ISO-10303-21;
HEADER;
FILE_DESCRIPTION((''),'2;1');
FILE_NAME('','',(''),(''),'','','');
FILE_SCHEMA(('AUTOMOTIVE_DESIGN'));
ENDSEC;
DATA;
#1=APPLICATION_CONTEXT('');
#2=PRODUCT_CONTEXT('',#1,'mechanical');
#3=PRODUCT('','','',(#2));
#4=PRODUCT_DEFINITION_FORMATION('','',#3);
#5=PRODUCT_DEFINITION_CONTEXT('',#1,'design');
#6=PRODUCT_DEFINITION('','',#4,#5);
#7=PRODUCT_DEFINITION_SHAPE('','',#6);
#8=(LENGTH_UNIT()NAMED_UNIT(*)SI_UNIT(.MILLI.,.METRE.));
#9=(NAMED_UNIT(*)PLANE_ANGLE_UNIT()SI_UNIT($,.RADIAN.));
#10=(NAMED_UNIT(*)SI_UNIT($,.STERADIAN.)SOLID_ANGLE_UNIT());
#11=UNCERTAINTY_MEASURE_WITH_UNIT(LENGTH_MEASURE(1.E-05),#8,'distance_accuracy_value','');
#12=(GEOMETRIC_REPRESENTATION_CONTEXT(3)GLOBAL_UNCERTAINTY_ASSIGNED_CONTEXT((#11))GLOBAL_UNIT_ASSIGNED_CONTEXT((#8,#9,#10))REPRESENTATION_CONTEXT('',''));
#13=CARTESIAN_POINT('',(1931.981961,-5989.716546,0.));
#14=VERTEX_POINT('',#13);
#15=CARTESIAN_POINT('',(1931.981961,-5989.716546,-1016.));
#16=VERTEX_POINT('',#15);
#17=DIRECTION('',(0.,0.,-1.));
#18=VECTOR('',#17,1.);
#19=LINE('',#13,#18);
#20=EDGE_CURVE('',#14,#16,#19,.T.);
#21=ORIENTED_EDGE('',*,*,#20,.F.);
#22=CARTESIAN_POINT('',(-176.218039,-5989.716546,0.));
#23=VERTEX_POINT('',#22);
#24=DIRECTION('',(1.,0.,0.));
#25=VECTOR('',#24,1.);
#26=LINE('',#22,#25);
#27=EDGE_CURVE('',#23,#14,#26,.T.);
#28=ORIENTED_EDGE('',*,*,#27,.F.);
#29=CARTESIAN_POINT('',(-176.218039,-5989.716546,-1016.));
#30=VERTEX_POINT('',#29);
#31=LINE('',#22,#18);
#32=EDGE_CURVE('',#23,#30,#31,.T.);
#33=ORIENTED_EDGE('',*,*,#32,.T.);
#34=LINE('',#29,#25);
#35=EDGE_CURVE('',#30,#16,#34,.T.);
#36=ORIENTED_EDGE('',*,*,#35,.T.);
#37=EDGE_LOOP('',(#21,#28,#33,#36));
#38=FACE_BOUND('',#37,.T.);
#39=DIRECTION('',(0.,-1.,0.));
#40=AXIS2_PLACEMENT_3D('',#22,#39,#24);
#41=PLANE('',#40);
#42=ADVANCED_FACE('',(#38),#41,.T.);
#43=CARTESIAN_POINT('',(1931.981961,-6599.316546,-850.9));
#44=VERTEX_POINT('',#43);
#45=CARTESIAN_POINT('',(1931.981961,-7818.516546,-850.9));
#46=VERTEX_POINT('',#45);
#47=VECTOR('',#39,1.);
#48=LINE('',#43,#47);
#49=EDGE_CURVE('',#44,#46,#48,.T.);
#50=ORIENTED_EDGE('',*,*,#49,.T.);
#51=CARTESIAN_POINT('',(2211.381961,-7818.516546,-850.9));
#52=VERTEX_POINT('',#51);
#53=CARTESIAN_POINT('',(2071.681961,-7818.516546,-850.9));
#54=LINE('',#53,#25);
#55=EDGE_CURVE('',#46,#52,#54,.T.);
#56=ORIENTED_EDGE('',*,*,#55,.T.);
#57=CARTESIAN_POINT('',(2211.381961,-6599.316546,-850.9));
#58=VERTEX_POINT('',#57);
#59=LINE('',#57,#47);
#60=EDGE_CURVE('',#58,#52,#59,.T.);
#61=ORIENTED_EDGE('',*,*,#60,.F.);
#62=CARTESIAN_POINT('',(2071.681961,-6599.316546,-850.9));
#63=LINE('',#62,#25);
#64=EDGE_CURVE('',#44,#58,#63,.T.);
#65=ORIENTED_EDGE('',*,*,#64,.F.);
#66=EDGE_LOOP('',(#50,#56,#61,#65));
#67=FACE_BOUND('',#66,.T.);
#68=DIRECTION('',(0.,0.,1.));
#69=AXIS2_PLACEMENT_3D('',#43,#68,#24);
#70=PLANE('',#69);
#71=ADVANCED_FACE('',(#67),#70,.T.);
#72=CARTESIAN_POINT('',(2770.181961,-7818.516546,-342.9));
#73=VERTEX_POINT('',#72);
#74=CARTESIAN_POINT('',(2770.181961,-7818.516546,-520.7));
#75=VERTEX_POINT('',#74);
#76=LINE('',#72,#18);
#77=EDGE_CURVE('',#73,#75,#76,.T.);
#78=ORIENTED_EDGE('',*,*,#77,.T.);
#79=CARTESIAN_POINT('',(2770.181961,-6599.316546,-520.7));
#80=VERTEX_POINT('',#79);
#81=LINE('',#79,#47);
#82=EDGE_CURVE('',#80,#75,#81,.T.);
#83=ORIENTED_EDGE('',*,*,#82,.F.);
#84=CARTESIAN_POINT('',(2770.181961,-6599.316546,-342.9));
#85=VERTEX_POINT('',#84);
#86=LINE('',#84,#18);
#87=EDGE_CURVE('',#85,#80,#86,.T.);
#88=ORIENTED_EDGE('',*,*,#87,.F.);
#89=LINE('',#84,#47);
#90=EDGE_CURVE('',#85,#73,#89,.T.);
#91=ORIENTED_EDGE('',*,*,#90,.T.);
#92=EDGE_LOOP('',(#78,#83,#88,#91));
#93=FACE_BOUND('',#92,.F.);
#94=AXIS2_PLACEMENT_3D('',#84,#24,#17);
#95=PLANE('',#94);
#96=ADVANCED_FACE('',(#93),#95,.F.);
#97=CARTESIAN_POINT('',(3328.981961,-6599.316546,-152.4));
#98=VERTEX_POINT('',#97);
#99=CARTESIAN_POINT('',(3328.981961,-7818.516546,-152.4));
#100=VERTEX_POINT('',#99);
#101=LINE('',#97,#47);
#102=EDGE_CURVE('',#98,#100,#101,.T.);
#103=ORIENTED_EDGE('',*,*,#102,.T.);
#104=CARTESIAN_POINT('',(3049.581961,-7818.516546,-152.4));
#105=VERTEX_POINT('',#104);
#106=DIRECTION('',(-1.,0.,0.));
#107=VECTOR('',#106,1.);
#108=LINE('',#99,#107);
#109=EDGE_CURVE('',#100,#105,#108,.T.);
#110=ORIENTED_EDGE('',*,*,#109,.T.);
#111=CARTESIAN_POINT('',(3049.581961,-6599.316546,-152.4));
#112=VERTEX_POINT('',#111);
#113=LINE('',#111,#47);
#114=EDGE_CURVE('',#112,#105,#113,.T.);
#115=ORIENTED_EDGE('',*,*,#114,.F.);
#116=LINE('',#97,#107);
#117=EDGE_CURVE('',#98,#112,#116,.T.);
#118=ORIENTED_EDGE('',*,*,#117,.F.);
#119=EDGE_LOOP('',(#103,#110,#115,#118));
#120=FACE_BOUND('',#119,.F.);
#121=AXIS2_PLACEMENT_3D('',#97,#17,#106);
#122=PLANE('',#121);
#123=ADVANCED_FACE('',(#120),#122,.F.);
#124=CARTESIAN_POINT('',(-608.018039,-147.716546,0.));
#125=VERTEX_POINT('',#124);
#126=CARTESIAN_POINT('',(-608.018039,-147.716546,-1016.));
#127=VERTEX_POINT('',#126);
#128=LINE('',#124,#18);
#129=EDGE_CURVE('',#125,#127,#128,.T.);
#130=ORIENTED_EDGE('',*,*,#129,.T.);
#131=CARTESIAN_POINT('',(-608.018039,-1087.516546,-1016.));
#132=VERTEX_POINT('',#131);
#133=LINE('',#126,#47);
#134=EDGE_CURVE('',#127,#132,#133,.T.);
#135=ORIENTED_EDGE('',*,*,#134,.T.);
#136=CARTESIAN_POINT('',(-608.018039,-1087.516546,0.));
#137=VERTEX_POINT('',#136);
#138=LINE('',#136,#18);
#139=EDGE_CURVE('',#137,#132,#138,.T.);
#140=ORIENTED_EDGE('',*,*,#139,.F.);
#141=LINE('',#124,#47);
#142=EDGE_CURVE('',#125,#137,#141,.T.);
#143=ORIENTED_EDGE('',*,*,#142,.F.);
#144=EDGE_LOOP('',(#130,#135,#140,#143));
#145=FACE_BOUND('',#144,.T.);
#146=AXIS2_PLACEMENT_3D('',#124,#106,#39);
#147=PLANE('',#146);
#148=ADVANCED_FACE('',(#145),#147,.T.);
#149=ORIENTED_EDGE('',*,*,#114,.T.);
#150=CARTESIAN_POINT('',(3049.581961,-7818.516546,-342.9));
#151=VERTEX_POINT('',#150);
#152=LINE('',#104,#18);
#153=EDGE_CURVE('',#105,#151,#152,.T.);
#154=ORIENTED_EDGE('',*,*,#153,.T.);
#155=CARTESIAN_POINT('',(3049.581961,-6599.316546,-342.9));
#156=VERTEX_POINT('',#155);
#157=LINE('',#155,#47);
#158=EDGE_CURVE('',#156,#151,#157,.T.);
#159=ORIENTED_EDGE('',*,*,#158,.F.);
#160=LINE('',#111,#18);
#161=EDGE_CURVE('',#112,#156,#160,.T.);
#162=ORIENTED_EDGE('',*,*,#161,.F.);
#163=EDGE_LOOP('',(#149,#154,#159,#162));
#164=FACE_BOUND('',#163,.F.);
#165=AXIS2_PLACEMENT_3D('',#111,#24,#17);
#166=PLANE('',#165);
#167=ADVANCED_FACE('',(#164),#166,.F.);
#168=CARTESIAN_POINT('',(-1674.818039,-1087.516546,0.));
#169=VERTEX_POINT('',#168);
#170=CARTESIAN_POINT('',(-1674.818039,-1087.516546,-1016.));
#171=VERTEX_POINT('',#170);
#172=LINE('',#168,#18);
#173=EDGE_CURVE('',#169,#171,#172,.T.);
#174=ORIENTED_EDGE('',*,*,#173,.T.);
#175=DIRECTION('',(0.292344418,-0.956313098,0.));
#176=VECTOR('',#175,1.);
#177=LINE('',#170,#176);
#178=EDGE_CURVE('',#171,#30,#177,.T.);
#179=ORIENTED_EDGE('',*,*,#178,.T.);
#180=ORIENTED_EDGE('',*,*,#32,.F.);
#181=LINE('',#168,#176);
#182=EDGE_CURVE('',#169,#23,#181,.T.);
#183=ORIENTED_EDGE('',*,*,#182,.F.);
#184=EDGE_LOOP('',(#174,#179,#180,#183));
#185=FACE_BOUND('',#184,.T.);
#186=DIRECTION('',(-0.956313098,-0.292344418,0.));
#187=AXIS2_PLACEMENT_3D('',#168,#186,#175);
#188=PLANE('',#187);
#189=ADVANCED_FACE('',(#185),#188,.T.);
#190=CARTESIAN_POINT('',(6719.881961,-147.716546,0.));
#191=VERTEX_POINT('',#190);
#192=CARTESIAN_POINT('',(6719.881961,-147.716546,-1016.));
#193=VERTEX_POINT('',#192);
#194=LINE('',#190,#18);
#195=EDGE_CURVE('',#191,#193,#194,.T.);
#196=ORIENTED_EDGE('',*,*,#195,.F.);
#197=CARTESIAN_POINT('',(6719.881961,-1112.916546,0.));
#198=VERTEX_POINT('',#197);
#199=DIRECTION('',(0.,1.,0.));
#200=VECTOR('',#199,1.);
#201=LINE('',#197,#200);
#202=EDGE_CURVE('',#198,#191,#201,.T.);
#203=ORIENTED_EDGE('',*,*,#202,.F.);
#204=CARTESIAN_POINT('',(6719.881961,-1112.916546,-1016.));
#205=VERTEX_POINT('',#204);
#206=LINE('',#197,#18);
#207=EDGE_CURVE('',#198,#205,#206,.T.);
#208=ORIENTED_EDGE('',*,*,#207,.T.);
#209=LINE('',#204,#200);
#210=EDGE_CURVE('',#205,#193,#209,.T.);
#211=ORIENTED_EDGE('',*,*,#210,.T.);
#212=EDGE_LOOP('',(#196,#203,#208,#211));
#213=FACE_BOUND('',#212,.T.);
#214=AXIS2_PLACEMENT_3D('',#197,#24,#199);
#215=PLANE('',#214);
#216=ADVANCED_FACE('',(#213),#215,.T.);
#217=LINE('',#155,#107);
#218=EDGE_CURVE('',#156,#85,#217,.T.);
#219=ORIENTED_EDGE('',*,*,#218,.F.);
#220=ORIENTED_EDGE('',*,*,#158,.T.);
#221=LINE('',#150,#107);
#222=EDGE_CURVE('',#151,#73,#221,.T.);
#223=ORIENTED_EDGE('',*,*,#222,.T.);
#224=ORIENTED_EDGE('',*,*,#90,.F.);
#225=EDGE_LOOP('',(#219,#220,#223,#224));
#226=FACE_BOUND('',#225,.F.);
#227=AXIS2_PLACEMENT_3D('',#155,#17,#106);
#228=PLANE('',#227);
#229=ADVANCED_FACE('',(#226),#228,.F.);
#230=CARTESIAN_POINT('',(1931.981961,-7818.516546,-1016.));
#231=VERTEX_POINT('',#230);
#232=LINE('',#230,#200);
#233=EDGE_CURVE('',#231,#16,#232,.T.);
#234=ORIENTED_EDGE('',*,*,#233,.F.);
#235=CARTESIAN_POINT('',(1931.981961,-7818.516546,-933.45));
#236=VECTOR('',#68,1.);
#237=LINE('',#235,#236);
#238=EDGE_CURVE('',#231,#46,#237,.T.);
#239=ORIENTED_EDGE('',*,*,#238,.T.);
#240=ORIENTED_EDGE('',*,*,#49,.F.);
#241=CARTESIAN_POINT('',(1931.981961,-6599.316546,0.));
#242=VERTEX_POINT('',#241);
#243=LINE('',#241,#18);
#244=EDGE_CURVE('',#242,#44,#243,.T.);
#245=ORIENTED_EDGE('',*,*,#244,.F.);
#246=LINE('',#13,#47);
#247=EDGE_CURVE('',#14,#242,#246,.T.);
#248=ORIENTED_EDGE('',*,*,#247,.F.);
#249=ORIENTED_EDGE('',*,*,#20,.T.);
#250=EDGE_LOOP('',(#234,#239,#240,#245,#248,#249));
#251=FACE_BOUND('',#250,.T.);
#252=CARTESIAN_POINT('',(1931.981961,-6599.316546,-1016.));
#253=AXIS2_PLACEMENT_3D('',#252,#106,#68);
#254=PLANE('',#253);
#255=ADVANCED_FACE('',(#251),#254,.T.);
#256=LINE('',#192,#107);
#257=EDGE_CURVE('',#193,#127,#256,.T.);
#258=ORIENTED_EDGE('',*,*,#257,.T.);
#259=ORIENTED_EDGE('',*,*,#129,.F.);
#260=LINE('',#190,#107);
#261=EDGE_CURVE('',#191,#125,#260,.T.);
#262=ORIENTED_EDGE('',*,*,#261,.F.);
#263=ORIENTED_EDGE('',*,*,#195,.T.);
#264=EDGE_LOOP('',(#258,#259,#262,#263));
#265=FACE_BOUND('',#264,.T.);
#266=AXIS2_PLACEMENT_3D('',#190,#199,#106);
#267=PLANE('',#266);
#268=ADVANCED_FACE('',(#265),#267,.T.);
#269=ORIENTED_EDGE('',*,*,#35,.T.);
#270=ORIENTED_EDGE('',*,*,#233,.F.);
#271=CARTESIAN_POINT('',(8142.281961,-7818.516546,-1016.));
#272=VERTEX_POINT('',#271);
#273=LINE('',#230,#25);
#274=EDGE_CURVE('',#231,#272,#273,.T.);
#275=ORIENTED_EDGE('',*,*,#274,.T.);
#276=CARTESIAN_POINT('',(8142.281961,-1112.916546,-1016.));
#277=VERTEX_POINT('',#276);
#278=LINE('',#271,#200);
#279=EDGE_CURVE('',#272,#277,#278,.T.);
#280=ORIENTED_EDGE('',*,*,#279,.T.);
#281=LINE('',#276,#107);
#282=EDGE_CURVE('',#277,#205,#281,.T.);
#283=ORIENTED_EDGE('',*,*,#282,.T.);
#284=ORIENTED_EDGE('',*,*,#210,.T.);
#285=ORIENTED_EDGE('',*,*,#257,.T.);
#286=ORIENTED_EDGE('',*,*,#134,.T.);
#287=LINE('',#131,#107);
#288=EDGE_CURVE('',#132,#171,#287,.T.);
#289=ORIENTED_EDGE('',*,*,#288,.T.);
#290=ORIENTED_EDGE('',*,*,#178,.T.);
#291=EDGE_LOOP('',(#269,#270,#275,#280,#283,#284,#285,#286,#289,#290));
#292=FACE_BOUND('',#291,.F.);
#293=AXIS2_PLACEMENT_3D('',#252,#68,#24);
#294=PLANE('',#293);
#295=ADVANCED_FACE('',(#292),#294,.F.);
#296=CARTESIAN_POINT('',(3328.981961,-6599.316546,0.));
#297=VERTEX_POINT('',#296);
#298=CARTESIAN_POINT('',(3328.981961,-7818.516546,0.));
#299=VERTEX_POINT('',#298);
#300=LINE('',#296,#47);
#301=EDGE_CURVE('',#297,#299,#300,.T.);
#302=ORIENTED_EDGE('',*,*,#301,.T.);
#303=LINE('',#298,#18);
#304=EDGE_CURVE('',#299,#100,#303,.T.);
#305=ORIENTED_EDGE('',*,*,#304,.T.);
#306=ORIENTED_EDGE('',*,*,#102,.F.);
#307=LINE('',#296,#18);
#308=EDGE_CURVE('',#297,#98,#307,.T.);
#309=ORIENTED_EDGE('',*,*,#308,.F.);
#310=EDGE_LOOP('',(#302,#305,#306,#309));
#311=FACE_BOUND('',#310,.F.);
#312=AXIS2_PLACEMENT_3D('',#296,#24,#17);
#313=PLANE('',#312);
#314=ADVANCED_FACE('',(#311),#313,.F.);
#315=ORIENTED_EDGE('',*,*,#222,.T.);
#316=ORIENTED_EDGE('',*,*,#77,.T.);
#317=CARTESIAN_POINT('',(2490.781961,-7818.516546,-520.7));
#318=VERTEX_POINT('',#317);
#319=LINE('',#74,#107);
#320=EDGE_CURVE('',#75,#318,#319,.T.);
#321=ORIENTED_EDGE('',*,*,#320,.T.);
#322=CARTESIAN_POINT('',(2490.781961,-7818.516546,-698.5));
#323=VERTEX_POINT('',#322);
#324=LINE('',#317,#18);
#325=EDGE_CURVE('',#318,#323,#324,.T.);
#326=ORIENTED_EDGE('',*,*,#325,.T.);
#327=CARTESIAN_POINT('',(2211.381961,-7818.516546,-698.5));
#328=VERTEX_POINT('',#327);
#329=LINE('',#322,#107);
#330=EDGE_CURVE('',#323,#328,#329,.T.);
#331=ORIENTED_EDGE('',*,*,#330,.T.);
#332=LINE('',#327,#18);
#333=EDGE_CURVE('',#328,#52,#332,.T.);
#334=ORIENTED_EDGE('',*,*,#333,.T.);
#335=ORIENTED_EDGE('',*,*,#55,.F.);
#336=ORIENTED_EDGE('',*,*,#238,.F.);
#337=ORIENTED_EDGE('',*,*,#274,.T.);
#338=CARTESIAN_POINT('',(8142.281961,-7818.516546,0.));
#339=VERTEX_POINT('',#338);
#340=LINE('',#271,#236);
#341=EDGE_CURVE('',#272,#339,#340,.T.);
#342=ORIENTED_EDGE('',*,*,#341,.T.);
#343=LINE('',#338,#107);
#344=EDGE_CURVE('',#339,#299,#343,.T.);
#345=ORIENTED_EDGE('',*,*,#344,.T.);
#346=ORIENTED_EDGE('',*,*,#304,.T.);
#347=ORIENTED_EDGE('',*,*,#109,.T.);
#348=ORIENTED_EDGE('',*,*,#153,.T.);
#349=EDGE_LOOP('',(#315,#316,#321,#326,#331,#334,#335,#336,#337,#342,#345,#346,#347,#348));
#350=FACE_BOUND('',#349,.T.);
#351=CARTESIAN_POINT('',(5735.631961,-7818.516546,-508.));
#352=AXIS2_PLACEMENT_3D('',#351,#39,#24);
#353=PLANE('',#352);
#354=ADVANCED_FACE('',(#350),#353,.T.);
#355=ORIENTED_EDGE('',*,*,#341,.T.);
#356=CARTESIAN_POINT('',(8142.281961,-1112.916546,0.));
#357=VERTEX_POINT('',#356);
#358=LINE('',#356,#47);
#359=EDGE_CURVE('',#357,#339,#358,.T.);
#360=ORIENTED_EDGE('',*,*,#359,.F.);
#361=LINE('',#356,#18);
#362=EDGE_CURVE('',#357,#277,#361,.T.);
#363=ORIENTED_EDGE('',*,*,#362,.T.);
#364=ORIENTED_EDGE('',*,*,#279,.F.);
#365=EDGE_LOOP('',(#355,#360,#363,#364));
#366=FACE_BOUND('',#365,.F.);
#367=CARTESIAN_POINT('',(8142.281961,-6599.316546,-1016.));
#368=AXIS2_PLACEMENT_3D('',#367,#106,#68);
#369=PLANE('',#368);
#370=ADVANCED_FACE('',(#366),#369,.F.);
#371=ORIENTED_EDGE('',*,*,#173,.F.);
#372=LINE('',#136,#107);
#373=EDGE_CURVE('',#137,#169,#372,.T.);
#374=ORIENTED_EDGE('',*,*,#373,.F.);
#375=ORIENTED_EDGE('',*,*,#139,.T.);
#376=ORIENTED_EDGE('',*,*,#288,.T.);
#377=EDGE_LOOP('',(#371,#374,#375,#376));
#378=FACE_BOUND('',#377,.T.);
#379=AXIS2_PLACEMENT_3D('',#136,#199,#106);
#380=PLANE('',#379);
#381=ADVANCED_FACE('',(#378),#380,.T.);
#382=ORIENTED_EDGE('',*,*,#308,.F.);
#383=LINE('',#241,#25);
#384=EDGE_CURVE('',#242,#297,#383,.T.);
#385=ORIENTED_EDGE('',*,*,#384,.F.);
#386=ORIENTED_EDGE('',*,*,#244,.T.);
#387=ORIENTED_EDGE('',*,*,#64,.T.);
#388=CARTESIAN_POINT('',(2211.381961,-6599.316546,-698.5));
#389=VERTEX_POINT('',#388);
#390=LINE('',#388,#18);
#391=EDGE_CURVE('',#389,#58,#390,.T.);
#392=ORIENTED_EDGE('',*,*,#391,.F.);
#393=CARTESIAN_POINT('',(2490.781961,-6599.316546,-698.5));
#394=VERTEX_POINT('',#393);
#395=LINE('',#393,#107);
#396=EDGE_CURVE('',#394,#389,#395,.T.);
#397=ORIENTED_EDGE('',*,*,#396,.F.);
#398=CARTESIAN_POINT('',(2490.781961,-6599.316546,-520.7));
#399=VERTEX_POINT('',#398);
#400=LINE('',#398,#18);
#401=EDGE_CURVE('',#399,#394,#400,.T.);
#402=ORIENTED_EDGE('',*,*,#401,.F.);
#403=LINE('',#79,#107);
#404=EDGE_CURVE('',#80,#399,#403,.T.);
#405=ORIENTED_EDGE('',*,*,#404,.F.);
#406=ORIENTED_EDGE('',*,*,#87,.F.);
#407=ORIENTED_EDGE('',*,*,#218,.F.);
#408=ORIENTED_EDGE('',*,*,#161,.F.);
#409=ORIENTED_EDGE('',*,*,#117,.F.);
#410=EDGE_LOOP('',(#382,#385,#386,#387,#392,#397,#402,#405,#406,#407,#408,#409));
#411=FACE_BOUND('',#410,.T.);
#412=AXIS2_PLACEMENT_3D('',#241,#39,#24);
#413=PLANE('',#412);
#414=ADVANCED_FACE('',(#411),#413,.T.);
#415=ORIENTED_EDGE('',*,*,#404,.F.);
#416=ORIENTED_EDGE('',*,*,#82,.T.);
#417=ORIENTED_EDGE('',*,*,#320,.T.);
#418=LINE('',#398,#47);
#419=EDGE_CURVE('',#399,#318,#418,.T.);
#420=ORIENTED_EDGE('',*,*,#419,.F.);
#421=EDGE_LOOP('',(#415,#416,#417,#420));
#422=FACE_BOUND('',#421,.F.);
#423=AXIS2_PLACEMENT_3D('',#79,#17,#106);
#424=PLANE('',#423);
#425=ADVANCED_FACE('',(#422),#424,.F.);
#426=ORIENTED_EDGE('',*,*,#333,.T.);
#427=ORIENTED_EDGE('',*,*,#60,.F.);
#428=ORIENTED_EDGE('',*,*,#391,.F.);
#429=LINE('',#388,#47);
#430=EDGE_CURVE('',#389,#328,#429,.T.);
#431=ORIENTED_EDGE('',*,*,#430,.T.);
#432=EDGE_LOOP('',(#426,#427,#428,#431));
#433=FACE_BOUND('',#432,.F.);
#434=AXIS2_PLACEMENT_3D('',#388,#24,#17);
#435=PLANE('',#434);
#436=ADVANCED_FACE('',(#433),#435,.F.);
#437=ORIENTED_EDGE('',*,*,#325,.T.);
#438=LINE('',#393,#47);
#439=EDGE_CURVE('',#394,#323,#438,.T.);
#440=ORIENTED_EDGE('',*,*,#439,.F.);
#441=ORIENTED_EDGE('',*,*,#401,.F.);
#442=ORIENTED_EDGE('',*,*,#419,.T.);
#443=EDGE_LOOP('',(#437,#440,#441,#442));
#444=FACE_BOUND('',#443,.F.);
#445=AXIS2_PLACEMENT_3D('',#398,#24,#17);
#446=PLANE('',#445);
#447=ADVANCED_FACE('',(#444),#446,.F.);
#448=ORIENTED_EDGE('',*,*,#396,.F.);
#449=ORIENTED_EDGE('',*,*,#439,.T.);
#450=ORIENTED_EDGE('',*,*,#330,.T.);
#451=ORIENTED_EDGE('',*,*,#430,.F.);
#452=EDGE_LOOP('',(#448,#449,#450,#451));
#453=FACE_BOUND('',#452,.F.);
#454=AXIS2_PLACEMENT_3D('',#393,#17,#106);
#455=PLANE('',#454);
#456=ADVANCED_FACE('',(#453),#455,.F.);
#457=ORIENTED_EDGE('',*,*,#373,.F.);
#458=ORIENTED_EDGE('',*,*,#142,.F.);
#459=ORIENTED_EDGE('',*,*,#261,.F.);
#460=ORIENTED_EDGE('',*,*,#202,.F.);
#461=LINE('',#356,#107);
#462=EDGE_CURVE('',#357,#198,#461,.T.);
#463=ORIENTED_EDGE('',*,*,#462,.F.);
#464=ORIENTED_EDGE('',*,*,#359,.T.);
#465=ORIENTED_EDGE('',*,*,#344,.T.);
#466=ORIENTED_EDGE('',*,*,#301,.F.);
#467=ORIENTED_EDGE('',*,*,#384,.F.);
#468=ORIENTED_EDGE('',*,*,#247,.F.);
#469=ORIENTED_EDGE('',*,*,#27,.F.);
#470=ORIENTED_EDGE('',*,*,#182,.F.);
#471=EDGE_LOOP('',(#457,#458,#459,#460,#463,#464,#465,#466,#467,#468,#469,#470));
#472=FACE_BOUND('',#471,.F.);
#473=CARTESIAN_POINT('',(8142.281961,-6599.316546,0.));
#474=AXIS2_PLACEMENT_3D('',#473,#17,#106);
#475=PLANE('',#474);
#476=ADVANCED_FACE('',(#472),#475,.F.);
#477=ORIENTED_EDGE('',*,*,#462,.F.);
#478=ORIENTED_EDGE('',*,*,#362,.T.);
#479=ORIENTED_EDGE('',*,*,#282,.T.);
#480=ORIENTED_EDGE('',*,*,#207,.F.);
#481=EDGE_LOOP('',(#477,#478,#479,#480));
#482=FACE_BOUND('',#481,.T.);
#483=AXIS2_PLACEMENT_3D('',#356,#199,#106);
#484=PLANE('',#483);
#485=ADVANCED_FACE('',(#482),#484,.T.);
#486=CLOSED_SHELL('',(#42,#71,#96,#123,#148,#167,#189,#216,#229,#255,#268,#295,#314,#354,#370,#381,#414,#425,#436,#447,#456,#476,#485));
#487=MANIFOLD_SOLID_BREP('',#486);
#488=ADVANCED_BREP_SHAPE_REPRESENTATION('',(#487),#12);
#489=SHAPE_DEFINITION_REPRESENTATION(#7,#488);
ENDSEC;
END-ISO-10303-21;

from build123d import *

# Parameters (mm, degrees)
F1_DEPTH = 1016
F2_W     = 279.4
F2_H     = 165.1
F3_DEPTH = 1219.2


with BuildPart() as f1:
    # F0 (on Top) → F1 (new body)
    with BuildSketch(Plane.XY):
        Polygon((6719.881961, -147.716546), (-608.018039, -147.716546), (-608.018039, -1087.516546), (-1674.818039, -1087.516546), (-176.218039, -5989.716546), (1931.981961, -5989.716546), (1931.981961, -6599.316546), (8142.281961, -6599.316546), (8142.281961, -1112.916546), (6719.881961, -1112.916546), align=None)
    extrude(amount=-F1_DEPTH)

    # F2 (on face) → F3 (join)
    with BuildSketch(Plane.XZ.offset(6599.316546)):
        Polygon((8142.281961, -1016), (8142.281961, 0), (3328.981961, 0), (3328.981961, -152.4), (3328.981961, -1016), align=None)
        Polygon((3328.981961, -1016), (3328.981961, -152.4), (3049.581961, -152.4), (3049.581961, -342.9), (3049.581961, -1016), align=None)
        Polygon((2770.181961, -1016), (3049.581961, -1016), (3049.581961, -342.9), (2770.181961, -342.9), (2770.181961, -520.7), align=None)
        Polygon((2490.781961, -1016), (2770.181961, -1016), (2770.181961, -520.7), (2490.781961, -520.7), (2490.781961, -698.5), align=None)
        Polygon((2211.381961, -1016), (2490.781961, -1016), (2490.781961, -698.5), (2211.381961, -698.5), (2211.381961, -850.9), align=None)
        with Locations((2071.681961, -933.45)):
            Rectangle(F2_W, F2_H)
    extrude(amount=F3_DEPTH)


solid = f1.part
